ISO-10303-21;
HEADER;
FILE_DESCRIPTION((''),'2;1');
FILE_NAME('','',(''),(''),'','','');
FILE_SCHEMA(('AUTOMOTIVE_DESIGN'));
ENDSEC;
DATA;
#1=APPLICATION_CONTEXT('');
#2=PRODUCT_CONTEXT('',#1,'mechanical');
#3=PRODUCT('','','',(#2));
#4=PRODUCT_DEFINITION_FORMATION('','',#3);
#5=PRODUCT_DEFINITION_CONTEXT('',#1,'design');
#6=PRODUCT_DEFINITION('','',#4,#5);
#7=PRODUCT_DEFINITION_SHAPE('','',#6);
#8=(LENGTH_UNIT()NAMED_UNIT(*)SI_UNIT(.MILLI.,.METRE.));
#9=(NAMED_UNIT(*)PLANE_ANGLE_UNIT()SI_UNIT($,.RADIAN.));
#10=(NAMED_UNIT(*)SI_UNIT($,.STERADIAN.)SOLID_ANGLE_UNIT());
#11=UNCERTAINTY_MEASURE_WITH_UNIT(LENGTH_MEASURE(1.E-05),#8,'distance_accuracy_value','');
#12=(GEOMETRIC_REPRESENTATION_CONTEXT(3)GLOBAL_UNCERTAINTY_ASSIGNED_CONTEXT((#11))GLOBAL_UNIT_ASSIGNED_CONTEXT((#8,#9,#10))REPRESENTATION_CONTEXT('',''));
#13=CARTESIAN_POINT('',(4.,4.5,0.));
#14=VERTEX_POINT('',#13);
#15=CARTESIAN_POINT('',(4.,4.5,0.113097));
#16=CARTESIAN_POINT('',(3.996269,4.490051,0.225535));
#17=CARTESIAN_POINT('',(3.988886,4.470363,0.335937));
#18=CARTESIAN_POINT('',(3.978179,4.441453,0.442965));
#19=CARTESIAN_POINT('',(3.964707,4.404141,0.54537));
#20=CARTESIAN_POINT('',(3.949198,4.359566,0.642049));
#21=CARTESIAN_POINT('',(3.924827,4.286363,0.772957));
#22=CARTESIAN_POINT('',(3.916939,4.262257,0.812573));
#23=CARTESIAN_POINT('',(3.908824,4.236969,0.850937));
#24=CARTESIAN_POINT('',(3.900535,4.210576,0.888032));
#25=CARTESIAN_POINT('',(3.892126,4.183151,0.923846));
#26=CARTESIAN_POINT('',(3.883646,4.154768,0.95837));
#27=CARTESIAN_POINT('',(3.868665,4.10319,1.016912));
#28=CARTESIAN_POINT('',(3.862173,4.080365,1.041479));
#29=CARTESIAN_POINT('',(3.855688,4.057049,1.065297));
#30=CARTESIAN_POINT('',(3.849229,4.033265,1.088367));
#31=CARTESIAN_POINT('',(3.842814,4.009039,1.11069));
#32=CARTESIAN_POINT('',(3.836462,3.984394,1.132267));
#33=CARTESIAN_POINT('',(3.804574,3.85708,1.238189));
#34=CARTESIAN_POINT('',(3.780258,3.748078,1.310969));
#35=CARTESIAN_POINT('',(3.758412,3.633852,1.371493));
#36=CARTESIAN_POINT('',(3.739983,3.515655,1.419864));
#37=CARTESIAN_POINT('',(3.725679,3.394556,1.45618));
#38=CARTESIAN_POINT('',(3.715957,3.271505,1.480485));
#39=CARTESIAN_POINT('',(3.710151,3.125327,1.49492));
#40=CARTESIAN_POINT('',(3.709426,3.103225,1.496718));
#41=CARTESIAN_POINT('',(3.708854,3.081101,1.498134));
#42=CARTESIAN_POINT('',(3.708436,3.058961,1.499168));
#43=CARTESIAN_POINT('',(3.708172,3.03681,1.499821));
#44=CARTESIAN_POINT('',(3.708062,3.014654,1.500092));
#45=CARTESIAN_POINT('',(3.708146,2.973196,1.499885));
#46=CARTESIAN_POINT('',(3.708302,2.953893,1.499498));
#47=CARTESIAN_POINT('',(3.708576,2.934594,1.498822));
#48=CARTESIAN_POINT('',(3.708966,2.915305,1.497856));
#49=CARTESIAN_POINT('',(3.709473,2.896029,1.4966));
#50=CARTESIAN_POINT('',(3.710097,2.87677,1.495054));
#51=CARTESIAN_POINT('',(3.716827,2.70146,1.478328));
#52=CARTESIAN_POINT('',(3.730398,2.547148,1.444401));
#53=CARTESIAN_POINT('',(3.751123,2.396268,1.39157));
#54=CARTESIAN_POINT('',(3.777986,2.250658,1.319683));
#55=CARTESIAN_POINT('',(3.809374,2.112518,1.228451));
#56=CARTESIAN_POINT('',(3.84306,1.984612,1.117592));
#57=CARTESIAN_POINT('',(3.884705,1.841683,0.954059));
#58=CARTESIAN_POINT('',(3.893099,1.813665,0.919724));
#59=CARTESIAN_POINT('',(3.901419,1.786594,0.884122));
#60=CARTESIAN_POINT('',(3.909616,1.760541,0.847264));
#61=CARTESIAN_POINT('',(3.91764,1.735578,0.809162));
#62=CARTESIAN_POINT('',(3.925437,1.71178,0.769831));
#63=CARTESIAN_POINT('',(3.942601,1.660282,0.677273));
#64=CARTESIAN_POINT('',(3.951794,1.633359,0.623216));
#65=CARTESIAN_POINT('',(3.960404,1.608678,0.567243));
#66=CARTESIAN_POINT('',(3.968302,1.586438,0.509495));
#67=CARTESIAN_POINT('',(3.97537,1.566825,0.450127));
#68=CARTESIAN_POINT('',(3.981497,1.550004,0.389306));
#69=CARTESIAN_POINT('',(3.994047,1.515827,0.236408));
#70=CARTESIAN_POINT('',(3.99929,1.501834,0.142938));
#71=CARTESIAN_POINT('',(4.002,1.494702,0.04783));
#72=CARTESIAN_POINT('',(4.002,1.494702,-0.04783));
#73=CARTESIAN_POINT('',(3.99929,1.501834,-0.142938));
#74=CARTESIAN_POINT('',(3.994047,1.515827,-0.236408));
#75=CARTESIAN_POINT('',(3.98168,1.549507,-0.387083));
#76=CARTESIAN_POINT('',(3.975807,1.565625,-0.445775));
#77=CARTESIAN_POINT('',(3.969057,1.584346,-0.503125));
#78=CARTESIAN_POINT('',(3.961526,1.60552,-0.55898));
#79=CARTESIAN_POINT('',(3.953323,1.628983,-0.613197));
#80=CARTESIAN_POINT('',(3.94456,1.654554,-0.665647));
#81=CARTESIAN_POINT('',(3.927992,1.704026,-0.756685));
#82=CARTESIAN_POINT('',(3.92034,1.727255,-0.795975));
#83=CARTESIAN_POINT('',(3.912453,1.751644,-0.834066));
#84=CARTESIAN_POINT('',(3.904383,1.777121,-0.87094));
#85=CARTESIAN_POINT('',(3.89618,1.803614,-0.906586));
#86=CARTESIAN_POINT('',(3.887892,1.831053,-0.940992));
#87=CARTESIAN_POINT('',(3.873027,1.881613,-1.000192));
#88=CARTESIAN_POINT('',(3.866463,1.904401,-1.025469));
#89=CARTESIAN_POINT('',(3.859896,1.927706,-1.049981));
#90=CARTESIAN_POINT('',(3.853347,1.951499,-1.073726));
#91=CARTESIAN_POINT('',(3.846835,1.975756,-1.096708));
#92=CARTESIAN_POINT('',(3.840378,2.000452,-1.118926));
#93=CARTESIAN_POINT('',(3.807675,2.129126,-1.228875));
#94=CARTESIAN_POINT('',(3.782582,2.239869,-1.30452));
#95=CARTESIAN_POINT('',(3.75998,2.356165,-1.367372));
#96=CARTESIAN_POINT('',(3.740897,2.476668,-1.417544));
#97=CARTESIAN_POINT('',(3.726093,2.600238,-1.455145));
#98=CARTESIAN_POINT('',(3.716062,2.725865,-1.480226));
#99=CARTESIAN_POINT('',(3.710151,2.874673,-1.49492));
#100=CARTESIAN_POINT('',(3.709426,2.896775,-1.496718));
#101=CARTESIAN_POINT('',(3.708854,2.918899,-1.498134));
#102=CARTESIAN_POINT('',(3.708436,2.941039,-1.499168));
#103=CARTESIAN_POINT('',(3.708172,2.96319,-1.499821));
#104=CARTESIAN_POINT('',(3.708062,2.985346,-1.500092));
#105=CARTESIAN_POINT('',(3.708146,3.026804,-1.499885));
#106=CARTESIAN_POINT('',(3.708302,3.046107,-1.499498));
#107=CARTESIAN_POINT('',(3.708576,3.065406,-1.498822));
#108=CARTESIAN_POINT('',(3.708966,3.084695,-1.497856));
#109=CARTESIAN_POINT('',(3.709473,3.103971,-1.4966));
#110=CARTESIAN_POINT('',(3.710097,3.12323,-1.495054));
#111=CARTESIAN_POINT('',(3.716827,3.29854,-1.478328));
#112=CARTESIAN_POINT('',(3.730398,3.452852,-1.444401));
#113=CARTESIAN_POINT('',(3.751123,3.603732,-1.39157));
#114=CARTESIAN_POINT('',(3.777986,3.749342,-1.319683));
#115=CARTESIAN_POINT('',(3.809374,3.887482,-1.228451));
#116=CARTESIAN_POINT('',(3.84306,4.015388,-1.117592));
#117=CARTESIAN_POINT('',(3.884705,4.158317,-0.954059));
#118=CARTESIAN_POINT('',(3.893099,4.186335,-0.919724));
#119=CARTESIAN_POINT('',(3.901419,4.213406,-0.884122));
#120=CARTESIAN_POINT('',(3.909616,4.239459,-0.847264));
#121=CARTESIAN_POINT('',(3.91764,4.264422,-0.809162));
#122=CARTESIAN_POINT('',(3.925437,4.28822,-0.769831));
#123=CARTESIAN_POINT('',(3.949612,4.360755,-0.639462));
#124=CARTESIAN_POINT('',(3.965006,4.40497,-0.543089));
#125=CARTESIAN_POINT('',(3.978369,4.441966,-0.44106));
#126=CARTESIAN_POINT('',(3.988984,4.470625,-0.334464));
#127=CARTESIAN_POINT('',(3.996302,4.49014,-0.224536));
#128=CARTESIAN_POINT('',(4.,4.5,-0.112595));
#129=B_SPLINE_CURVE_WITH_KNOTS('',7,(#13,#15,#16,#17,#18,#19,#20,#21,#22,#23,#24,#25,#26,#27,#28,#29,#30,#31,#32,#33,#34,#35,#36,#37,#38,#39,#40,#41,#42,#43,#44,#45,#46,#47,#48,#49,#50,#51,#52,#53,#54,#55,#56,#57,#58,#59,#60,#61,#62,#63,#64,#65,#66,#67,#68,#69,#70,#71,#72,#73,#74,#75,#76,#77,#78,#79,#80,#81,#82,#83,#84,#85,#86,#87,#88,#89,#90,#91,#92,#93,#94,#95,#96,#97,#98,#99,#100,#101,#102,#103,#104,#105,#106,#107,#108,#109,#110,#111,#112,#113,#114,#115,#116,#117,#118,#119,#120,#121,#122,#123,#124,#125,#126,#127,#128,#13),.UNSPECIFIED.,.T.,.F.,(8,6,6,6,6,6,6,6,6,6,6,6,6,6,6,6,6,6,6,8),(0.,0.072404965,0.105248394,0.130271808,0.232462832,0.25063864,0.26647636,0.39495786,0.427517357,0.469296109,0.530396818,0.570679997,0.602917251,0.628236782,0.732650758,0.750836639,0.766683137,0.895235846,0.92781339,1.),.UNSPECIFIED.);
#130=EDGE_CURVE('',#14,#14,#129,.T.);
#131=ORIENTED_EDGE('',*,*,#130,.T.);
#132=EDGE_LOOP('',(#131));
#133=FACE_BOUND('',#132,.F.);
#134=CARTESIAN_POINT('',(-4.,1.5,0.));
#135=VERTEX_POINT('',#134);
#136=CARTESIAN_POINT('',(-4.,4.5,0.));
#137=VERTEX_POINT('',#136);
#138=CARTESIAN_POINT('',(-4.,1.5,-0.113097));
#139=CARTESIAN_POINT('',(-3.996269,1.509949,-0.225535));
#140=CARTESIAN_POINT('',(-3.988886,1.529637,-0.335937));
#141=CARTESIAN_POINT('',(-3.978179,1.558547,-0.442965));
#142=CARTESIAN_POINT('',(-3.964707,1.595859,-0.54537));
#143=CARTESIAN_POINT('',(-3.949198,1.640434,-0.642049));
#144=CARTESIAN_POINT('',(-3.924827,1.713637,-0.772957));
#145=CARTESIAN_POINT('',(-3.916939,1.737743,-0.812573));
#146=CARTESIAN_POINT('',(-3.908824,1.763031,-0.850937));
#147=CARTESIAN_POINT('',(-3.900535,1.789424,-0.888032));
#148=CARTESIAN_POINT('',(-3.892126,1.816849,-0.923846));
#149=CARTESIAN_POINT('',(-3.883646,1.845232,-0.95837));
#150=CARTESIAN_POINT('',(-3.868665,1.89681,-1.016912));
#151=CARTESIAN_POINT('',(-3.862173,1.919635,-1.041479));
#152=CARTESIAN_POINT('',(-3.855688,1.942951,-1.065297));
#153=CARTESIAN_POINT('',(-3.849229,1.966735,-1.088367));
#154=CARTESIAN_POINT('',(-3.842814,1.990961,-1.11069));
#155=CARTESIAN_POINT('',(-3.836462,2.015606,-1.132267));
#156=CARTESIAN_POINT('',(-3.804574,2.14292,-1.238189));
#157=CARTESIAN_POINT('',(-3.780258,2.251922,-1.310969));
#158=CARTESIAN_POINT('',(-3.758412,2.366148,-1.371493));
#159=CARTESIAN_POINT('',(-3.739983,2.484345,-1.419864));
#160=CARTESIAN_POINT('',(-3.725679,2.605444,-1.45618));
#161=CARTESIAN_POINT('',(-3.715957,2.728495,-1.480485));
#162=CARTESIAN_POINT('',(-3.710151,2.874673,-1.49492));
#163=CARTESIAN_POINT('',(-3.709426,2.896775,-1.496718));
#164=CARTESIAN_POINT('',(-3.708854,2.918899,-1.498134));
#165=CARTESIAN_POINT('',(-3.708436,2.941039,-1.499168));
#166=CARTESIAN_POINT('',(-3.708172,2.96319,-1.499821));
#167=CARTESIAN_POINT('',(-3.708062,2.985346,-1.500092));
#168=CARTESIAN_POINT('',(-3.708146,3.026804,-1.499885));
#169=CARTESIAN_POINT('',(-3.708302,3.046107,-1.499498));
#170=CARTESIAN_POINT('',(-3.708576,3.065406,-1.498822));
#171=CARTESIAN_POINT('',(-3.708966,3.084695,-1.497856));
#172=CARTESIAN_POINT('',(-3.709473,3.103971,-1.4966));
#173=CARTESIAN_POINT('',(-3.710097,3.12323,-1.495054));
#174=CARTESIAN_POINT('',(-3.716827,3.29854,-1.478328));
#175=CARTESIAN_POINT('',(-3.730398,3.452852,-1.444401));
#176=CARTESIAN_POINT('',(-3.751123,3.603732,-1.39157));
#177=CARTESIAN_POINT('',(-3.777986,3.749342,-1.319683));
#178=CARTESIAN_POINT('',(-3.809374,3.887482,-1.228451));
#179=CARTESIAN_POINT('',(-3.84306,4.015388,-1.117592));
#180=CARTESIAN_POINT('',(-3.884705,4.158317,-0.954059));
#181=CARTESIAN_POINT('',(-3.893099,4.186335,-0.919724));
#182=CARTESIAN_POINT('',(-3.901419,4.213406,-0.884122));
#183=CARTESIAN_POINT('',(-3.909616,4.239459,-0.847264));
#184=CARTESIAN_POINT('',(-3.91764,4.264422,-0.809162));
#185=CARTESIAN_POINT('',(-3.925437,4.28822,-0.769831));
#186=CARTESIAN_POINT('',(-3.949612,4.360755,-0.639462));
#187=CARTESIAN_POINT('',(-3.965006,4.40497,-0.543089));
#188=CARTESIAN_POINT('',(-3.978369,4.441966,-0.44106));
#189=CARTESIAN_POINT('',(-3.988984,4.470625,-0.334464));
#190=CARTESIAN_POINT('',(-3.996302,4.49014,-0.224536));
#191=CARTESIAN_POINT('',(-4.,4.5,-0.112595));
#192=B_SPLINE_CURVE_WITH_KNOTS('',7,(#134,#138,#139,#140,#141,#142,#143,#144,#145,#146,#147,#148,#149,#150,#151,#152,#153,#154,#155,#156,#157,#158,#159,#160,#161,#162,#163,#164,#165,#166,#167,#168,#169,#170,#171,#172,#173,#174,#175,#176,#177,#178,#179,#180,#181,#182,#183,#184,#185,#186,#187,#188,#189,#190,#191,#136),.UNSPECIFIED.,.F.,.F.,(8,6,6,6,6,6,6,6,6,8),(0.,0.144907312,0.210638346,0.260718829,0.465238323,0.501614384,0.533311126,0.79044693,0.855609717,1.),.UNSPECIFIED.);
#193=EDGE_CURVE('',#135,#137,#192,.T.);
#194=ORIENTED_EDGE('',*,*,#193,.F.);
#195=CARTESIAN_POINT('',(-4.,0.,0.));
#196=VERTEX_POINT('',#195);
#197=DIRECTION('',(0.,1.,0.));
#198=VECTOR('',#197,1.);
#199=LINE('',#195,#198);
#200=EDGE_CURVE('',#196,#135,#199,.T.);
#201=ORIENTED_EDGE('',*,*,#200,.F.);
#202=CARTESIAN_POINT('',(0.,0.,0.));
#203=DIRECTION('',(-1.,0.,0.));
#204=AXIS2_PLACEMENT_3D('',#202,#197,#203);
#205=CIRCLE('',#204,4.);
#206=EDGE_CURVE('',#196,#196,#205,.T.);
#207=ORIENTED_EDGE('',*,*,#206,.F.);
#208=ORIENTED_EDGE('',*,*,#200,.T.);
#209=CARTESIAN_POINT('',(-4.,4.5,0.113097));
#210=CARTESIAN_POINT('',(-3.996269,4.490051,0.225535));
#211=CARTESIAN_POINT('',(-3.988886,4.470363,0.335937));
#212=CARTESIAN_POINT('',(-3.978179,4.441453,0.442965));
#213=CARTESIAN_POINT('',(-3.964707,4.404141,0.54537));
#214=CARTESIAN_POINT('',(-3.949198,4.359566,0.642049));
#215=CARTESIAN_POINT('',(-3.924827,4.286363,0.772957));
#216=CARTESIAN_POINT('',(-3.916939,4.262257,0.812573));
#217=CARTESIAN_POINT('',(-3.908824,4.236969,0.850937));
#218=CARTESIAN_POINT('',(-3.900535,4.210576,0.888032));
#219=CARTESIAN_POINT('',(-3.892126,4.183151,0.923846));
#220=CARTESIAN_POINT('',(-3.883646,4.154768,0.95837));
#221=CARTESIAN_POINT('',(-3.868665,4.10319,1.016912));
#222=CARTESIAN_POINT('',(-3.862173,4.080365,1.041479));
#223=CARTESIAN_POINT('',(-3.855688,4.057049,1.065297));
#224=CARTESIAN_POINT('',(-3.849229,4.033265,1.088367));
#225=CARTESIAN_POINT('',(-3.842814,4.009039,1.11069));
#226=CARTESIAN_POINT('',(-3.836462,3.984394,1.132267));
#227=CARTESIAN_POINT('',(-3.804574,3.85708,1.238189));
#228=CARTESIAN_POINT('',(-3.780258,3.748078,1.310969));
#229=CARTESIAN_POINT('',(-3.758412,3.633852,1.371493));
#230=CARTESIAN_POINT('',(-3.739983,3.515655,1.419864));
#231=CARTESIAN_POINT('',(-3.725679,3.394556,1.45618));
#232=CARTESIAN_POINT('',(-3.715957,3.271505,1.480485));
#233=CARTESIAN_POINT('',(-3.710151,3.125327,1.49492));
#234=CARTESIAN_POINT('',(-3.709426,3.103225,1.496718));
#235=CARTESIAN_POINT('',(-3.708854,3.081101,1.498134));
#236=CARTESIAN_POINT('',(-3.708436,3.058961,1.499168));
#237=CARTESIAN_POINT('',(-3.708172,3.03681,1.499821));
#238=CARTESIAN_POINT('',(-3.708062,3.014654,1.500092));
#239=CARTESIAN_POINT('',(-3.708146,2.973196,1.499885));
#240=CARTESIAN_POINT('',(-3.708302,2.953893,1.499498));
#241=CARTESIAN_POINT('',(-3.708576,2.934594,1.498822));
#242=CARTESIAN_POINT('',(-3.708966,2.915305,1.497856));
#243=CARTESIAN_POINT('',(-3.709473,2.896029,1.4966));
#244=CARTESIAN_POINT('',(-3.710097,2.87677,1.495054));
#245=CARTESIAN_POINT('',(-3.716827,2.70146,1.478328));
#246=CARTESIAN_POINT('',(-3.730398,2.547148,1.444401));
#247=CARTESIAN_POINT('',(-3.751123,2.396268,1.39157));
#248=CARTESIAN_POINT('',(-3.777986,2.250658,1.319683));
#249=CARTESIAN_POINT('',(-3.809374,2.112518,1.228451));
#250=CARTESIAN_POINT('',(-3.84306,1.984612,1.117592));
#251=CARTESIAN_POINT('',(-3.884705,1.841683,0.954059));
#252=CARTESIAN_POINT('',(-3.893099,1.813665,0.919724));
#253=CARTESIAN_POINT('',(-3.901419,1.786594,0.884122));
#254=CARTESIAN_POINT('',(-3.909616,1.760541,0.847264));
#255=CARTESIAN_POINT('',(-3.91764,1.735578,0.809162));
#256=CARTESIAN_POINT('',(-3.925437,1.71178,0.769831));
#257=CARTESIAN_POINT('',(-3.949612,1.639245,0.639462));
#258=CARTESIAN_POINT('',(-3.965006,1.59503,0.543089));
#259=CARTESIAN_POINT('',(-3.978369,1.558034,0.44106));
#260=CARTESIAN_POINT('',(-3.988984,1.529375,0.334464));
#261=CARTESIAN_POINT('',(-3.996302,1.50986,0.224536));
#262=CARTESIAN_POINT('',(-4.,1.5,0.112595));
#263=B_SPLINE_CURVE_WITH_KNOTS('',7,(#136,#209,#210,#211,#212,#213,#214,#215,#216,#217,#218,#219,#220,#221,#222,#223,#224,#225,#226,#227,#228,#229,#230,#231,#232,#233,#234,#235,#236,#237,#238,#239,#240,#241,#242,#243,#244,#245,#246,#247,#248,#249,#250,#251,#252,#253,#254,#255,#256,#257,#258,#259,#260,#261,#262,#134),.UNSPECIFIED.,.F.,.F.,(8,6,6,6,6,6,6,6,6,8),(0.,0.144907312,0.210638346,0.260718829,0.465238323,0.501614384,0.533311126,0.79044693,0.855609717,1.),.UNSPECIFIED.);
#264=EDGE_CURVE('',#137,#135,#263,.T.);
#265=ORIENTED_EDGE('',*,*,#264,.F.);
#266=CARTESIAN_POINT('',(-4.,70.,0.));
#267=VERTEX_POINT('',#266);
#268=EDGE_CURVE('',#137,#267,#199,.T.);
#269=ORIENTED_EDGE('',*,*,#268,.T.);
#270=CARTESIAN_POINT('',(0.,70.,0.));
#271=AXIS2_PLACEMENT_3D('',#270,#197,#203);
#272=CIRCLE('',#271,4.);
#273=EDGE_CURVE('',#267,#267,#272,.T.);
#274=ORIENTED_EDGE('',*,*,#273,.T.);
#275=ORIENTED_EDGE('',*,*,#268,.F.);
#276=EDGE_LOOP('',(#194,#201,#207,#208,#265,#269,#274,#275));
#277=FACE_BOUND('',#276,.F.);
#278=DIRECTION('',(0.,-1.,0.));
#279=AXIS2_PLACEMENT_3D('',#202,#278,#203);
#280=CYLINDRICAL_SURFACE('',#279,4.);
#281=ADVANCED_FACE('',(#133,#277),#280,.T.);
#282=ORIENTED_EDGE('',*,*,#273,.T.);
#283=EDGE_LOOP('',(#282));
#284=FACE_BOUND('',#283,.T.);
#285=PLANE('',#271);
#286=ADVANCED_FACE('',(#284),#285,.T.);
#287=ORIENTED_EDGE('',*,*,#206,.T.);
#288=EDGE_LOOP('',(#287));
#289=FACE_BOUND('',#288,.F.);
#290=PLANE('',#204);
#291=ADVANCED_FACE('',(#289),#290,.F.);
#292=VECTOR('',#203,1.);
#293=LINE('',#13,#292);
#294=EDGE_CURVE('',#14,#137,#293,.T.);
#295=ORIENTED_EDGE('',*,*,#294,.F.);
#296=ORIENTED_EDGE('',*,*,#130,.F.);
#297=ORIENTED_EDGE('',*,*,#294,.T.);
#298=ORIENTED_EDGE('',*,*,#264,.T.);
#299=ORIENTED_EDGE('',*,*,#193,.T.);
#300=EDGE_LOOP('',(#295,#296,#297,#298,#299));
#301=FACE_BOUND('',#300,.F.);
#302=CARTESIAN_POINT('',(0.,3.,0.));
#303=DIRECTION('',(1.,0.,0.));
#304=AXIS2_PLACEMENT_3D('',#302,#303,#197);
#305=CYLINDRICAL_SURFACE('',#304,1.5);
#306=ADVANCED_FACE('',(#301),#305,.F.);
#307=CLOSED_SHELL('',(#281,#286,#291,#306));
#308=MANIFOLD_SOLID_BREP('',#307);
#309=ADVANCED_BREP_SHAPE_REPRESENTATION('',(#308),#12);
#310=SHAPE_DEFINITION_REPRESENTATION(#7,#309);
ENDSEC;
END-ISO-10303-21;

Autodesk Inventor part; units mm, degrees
ref_plane "YZ Plane" through (0, 0, 0) normal (1, 0, 0) x (0, 1, 0)
ref_plane "XZ Plane" through (0, 0, 0) normal (0, 1, 0) x (-1, 0, 0)
ref_plane "XY Plane" through (0, 0, 0) normal (0, 0, 1) x (1, 0, 0)
sketch "Sketch1" plane through (0, 0, 0) normal (0, 1, 0) x (-1, 0, 0)
  circle A0 centre (0, 0) radius 4
  dimension "d0" = 8
extrude "Extrusion1" add sketch "Sketch1" along normal blind 70
sketch "Sketch3" plane through (0, 0, 0) normal (1, 0, 0) x (0, 1, 0)
  circle A0 centre (3, 0) radius 1.5
  point P0 (0, 0)
  point P1 (3.9404, 0)
  dimension "d13" = 3
  dimension "d14" = 3
extrude "Extrusion3" cut sketch "Sketch3" along normal mid plane 70
thread "Thread1" size "M3x0.5" class "6H" standard "ANSI Metric M Profile" full length
properties part number "as naar endeffector compact"
